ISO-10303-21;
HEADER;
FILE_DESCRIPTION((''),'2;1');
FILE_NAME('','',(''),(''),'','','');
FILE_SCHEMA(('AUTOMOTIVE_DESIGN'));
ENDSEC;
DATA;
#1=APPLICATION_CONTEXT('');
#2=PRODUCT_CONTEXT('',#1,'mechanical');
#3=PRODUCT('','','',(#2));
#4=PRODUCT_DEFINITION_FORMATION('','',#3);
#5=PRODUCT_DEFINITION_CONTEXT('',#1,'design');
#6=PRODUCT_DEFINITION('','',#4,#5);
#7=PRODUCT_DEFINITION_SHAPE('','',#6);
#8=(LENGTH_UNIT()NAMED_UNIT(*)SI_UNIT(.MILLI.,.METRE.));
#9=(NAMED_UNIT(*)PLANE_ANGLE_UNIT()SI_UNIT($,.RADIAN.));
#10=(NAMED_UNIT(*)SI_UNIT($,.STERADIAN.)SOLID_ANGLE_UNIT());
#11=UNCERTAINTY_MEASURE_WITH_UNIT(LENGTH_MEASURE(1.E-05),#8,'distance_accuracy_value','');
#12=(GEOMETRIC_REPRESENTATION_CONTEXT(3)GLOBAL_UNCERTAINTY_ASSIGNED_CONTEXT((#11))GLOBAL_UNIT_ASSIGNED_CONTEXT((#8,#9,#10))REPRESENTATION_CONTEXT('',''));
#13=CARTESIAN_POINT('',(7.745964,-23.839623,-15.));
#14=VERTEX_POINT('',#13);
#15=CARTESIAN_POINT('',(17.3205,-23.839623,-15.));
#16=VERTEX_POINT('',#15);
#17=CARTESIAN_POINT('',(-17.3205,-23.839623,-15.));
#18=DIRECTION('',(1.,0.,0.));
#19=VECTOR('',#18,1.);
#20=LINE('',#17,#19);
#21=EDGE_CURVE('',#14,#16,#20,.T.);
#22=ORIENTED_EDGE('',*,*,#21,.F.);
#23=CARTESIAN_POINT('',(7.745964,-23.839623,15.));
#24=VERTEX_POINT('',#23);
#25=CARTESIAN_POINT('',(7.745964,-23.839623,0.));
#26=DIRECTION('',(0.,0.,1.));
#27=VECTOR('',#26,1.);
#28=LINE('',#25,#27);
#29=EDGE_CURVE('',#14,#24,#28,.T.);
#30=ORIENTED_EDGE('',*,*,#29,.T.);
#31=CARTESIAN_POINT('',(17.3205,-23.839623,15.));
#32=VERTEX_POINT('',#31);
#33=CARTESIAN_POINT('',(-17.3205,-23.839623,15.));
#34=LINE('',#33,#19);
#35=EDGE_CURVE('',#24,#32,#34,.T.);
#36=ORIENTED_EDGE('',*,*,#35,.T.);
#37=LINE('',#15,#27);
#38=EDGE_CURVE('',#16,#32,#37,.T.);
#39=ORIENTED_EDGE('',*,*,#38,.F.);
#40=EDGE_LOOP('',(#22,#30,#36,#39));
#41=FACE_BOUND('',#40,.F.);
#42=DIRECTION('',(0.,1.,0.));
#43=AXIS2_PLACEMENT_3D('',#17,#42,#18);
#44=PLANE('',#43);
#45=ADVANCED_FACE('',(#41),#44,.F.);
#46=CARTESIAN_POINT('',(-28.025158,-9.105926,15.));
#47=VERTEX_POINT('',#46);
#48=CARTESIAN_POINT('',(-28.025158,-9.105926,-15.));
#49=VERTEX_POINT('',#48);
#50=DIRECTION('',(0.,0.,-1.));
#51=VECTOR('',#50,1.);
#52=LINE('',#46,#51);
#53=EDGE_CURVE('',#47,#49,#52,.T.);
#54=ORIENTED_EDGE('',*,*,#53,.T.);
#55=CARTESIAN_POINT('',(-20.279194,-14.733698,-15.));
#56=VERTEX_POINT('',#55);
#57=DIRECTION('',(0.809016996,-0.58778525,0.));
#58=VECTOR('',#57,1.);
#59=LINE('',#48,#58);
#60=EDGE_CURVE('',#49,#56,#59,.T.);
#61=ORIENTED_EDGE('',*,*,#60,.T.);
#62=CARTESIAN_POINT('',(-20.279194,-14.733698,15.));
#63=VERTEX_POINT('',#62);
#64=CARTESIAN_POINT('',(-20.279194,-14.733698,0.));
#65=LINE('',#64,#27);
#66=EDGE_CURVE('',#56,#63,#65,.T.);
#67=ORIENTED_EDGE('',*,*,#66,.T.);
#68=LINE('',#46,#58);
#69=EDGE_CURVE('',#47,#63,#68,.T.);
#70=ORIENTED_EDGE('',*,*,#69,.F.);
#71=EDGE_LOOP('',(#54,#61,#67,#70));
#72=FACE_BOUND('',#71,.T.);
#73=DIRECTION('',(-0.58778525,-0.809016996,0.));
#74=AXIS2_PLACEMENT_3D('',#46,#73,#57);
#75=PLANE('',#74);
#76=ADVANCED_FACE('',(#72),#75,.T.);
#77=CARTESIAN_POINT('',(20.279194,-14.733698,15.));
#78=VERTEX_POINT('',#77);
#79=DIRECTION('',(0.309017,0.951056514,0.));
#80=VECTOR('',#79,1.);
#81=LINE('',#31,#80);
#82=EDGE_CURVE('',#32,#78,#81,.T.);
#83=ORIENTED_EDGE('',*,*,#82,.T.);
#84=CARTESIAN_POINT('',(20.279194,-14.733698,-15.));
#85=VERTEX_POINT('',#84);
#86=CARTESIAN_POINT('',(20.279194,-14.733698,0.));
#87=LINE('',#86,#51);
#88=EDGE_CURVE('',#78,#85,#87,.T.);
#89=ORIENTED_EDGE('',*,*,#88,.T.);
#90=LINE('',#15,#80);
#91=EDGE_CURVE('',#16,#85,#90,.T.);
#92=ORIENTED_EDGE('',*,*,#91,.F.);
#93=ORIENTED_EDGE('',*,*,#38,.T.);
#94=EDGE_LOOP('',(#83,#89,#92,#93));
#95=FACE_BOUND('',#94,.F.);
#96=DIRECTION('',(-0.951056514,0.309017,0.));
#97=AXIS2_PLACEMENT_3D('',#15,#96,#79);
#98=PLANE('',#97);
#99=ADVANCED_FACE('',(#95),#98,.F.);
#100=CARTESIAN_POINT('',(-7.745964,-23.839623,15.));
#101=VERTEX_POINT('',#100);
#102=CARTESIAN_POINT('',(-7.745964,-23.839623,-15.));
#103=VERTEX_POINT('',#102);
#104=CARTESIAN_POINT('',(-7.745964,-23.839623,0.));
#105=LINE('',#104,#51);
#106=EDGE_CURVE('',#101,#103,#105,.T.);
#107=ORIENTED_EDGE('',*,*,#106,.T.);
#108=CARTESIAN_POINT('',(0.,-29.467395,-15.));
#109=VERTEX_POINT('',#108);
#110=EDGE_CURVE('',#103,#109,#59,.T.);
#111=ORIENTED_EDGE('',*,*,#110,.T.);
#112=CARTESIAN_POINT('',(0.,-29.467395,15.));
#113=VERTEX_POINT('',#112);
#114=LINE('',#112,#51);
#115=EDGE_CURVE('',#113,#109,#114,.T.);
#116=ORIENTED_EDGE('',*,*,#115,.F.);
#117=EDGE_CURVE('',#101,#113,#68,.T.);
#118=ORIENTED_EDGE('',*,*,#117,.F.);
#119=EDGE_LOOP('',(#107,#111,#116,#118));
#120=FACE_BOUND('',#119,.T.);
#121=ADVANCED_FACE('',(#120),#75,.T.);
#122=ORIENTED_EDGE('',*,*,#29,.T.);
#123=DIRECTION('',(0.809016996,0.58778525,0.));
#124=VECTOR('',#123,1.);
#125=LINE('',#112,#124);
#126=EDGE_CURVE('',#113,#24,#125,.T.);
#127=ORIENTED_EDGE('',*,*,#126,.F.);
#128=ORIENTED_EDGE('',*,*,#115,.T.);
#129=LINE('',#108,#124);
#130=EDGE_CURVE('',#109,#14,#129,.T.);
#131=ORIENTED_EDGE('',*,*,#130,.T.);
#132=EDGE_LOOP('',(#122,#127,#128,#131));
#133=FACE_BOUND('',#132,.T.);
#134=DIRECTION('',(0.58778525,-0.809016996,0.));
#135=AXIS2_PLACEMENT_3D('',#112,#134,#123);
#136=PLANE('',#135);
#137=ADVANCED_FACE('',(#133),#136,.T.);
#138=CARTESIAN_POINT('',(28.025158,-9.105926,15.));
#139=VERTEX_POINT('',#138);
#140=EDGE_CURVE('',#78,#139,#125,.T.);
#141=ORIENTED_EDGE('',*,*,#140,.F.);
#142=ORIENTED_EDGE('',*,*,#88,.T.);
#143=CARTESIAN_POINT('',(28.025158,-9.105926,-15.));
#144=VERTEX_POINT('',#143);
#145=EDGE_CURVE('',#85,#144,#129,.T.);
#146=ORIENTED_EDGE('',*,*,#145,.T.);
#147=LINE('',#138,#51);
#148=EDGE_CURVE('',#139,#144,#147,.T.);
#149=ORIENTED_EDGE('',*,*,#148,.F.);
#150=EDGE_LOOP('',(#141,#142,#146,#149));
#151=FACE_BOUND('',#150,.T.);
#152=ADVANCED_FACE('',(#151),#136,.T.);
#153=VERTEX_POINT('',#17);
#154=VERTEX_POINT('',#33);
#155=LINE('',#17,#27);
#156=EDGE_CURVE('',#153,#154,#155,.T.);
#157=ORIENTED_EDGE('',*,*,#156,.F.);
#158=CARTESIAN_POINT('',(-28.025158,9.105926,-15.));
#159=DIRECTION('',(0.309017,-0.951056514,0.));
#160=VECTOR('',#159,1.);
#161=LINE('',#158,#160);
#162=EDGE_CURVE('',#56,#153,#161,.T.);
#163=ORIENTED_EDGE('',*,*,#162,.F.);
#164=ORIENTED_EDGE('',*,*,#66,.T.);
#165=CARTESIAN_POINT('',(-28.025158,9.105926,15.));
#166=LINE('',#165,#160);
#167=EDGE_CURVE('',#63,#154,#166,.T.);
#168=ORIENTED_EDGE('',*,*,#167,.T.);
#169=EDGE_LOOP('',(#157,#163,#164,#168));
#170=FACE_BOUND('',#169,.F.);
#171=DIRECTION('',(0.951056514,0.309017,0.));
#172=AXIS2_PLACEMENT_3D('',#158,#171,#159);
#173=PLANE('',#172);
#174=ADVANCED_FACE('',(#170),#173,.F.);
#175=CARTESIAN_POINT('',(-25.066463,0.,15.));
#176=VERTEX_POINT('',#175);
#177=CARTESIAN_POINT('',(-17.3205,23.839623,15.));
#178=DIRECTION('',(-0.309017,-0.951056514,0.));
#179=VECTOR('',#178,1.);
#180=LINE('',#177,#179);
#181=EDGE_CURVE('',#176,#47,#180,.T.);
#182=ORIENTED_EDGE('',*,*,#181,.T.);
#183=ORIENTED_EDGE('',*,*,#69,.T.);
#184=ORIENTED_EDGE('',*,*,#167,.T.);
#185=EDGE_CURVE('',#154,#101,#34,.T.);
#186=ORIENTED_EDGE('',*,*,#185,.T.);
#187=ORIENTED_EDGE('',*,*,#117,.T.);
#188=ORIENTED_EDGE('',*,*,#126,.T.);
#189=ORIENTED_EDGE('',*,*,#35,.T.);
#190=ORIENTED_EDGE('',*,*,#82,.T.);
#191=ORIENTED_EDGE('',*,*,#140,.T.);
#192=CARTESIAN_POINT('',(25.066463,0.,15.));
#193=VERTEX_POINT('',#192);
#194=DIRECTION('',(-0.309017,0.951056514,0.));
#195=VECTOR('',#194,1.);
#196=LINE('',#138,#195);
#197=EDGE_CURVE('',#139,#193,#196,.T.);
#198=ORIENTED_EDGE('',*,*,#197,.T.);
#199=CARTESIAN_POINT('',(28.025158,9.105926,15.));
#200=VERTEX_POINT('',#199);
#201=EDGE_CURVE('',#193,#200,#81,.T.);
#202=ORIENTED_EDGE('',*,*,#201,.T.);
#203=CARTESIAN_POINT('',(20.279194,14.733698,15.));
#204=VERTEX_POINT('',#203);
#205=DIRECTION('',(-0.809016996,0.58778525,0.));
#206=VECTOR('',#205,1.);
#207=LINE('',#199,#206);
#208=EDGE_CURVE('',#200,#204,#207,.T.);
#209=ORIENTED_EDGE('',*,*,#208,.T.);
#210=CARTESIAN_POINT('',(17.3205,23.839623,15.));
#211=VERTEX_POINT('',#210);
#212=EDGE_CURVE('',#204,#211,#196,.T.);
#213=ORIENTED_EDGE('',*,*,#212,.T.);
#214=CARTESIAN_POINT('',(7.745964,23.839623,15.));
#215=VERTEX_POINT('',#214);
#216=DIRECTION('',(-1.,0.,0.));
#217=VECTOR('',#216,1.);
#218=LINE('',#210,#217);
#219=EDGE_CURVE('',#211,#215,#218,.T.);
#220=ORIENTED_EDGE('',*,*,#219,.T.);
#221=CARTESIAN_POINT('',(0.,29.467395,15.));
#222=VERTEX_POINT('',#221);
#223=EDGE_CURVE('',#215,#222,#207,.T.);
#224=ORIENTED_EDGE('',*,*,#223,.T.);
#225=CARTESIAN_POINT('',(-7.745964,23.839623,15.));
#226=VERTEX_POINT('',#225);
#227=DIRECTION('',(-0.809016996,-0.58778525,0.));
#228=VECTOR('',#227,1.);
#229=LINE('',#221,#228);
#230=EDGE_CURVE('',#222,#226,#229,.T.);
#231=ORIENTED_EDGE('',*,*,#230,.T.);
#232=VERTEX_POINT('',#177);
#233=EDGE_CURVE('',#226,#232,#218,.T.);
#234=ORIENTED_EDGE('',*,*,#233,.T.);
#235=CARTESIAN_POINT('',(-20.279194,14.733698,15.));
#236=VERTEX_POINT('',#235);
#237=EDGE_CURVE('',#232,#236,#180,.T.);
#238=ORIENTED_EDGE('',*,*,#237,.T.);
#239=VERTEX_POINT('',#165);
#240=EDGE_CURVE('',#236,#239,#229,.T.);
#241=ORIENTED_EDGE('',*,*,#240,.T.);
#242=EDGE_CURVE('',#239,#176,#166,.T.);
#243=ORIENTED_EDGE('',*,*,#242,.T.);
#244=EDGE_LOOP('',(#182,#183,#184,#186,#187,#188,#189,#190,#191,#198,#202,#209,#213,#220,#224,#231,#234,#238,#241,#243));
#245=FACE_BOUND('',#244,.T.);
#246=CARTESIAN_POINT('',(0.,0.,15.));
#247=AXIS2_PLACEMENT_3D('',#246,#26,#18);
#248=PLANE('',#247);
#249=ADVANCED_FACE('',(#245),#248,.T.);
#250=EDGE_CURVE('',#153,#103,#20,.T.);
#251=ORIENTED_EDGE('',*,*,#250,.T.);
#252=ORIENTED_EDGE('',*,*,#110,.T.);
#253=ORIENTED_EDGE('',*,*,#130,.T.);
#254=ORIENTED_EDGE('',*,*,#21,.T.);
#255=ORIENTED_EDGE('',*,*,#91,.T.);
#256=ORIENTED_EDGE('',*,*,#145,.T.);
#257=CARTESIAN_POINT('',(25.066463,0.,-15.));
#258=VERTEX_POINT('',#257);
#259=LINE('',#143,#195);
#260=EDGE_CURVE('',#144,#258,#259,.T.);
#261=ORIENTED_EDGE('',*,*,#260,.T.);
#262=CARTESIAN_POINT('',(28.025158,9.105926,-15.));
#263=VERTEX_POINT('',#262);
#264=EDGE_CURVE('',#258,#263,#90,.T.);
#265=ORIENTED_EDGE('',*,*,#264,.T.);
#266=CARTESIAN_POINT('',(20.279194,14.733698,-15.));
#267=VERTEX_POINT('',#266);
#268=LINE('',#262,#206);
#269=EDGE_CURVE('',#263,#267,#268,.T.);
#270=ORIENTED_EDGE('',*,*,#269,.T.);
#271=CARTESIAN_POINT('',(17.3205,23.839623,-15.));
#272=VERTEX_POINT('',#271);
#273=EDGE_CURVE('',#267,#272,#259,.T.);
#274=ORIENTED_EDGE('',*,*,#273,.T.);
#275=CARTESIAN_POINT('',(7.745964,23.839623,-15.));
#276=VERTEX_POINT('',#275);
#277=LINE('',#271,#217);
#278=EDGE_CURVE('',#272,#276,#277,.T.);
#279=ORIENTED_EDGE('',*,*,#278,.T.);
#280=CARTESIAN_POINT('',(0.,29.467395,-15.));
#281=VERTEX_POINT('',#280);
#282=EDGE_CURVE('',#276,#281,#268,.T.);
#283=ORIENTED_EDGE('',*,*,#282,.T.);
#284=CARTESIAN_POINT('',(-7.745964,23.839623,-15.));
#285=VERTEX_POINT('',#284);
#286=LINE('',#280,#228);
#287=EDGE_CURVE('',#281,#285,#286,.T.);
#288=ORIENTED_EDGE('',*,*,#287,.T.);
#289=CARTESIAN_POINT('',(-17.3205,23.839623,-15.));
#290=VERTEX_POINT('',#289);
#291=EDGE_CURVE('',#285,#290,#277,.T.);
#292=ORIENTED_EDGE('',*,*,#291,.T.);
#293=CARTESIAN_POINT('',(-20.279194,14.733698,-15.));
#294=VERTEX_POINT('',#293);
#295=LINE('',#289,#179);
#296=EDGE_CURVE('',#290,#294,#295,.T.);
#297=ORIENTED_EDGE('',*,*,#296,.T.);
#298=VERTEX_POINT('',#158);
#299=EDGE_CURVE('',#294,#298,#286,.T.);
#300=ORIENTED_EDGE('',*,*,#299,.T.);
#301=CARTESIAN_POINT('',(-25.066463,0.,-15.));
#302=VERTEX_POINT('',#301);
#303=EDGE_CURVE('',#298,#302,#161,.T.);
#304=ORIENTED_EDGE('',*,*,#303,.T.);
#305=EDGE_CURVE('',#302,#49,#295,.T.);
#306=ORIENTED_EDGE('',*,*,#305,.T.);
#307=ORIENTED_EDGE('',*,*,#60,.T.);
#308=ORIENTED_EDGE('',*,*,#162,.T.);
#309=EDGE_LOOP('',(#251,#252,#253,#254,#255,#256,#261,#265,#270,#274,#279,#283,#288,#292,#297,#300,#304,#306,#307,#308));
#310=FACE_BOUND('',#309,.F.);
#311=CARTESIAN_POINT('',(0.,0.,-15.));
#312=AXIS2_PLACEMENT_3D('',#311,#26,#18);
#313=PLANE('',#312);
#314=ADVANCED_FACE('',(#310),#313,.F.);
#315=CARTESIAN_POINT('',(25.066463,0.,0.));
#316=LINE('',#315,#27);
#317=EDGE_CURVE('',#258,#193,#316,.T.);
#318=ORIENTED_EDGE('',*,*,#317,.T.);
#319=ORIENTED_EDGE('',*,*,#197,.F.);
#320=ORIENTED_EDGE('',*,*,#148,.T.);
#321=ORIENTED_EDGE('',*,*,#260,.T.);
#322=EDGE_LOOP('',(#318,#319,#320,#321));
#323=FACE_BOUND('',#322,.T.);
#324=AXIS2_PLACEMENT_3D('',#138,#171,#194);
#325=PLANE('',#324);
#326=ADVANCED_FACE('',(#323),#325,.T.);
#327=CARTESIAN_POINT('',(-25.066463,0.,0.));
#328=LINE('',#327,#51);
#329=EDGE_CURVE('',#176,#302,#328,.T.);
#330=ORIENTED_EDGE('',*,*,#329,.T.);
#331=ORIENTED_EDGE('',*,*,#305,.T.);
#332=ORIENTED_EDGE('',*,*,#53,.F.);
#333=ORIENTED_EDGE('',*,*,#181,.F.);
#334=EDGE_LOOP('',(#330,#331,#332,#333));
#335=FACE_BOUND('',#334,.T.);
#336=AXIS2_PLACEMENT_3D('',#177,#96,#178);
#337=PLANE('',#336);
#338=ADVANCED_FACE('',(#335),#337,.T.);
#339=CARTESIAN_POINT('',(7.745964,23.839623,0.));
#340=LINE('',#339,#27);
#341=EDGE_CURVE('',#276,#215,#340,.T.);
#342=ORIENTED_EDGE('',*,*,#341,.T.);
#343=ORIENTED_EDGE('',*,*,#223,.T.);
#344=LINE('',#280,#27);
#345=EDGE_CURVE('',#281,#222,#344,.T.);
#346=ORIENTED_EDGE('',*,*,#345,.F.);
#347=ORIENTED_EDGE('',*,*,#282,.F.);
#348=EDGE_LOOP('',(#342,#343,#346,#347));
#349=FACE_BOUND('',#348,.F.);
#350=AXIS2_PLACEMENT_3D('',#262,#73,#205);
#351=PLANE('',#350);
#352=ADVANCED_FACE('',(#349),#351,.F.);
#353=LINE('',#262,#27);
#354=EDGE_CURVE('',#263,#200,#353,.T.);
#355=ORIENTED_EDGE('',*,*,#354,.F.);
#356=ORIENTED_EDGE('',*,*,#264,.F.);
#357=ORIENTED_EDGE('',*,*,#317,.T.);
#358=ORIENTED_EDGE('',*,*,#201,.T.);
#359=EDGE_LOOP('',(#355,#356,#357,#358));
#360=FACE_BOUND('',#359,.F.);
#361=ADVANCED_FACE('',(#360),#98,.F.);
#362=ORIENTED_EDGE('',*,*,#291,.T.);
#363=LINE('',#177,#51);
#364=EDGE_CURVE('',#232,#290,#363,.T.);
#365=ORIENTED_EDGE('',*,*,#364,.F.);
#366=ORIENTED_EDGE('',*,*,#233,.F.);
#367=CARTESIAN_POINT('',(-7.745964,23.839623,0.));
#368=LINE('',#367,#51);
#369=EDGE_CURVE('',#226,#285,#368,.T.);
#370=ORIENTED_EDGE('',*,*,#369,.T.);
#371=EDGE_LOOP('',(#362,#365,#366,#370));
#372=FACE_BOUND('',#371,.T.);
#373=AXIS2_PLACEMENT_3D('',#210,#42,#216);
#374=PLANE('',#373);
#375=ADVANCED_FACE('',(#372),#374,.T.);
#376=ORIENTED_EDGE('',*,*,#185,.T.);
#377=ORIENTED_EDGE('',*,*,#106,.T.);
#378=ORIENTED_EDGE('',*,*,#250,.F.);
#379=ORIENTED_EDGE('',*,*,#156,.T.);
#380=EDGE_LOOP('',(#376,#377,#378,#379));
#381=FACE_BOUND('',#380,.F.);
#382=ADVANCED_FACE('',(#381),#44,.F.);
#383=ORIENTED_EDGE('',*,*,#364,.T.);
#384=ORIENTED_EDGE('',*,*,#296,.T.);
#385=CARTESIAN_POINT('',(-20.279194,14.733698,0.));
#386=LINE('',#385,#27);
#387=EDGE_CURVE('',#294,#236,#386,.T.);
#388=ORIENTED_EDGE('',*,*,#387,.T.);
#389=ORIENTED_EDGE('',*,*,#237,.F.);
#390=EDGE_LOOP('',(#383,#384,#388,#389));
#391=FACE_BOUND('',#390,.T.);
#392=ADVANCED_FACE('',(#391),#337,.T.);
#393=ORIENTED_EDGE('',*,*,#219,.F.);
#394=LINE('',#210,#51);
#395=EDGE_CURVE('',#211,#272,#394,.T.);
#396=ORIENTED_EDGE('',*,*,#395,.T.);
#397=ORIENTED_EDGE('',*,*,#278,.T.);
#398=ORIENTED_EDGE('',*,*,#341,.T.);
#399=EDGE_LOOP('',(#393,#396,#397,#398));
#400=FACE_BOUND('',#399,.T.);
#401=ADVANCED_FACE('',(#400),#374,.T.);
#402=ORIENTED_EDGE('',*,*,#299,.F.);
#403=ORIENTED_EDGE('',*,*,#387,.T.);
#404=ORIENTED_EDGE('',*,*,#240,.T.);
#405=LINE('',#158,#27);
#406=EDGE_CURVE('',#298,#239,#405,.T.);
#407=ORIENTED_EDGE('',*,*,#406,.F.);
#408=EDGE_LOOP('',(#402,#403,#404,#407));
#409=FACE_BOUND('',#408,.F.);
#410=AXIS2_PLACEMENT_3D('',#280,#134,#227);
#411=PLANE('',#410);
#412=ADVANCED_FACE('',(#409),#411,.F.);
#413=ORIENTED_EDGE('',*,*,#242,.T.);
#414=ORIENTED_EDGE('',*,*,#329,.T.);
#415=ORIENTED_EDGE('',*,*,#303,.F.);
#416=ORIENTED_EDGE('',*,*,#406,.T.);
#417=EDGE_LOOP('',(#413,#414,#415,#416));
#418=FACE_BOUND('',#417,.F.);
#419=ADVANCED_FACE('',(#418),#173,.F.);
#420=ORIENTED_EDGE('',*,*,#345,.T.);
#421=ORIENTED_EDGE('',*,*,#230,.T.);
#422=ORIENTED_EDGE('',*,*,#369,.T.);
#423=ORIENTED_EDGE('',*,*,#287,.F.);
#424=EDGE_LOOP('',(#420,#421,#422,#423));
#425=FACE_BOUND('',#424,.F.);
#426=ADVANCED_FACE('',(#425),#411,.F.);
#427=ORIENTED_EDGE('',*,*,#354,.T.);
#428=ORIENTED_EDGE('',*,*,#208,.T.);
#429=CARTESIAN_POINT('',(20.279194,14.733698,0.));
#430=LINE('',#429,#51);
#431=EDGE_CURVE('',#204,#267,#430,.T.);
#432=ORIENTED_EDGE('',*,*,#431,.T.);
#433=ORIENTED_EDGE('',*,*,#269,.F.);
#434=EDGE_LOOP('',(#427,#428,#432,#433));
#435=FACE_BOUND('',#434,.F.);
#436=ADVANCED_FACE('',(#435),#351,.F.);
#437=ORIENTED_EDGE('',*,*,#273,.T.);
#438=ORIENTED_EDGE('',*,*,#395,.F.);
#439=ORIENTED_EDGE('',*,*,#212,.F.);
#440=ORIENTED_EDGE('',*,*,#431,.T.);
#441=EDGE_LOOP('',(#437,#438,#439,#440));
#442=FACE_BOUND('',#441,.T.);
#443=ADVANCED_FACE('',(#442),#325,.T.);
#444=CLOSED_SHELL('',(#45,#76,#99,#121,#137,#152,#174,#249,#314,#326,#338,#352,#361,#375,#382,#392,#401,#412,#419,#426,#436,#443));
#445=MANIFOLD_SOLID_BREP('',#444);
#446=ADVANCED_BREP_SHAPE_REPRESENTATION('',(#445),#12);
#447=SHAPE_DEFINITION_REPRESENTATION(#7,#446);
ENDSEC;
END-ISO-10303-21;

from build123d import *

# Parameters (mm, degrees)
F5_DEPTH = 30
F6_DEPTH = 30


with BuildPart() as f5:
    # F1 (on offset) → F5 (new body)
    with BuildSketch(Plane.XY.offset(15)):
        Polygon((17.3205, 23.839623), (-17.3205, 23.839623), (-28.025158, -9.105926), (0, -29.467395), (28.025158, -9.105926), align=None)
    extrude(amount=-F5_DEPTH)

    # F3 (on offset) → F6 (join)
    with BuildSketch(Plane.XY.offset(-15)):
        Polygon((-17.3205, -23.839623), (17.3205, -23.839623), (28.025158, 9.105926), (0, 29.467395), (-28.025158, 9.105926), align=None)
    extrude(amount=F6_DEPTH)


solid = f5.part
